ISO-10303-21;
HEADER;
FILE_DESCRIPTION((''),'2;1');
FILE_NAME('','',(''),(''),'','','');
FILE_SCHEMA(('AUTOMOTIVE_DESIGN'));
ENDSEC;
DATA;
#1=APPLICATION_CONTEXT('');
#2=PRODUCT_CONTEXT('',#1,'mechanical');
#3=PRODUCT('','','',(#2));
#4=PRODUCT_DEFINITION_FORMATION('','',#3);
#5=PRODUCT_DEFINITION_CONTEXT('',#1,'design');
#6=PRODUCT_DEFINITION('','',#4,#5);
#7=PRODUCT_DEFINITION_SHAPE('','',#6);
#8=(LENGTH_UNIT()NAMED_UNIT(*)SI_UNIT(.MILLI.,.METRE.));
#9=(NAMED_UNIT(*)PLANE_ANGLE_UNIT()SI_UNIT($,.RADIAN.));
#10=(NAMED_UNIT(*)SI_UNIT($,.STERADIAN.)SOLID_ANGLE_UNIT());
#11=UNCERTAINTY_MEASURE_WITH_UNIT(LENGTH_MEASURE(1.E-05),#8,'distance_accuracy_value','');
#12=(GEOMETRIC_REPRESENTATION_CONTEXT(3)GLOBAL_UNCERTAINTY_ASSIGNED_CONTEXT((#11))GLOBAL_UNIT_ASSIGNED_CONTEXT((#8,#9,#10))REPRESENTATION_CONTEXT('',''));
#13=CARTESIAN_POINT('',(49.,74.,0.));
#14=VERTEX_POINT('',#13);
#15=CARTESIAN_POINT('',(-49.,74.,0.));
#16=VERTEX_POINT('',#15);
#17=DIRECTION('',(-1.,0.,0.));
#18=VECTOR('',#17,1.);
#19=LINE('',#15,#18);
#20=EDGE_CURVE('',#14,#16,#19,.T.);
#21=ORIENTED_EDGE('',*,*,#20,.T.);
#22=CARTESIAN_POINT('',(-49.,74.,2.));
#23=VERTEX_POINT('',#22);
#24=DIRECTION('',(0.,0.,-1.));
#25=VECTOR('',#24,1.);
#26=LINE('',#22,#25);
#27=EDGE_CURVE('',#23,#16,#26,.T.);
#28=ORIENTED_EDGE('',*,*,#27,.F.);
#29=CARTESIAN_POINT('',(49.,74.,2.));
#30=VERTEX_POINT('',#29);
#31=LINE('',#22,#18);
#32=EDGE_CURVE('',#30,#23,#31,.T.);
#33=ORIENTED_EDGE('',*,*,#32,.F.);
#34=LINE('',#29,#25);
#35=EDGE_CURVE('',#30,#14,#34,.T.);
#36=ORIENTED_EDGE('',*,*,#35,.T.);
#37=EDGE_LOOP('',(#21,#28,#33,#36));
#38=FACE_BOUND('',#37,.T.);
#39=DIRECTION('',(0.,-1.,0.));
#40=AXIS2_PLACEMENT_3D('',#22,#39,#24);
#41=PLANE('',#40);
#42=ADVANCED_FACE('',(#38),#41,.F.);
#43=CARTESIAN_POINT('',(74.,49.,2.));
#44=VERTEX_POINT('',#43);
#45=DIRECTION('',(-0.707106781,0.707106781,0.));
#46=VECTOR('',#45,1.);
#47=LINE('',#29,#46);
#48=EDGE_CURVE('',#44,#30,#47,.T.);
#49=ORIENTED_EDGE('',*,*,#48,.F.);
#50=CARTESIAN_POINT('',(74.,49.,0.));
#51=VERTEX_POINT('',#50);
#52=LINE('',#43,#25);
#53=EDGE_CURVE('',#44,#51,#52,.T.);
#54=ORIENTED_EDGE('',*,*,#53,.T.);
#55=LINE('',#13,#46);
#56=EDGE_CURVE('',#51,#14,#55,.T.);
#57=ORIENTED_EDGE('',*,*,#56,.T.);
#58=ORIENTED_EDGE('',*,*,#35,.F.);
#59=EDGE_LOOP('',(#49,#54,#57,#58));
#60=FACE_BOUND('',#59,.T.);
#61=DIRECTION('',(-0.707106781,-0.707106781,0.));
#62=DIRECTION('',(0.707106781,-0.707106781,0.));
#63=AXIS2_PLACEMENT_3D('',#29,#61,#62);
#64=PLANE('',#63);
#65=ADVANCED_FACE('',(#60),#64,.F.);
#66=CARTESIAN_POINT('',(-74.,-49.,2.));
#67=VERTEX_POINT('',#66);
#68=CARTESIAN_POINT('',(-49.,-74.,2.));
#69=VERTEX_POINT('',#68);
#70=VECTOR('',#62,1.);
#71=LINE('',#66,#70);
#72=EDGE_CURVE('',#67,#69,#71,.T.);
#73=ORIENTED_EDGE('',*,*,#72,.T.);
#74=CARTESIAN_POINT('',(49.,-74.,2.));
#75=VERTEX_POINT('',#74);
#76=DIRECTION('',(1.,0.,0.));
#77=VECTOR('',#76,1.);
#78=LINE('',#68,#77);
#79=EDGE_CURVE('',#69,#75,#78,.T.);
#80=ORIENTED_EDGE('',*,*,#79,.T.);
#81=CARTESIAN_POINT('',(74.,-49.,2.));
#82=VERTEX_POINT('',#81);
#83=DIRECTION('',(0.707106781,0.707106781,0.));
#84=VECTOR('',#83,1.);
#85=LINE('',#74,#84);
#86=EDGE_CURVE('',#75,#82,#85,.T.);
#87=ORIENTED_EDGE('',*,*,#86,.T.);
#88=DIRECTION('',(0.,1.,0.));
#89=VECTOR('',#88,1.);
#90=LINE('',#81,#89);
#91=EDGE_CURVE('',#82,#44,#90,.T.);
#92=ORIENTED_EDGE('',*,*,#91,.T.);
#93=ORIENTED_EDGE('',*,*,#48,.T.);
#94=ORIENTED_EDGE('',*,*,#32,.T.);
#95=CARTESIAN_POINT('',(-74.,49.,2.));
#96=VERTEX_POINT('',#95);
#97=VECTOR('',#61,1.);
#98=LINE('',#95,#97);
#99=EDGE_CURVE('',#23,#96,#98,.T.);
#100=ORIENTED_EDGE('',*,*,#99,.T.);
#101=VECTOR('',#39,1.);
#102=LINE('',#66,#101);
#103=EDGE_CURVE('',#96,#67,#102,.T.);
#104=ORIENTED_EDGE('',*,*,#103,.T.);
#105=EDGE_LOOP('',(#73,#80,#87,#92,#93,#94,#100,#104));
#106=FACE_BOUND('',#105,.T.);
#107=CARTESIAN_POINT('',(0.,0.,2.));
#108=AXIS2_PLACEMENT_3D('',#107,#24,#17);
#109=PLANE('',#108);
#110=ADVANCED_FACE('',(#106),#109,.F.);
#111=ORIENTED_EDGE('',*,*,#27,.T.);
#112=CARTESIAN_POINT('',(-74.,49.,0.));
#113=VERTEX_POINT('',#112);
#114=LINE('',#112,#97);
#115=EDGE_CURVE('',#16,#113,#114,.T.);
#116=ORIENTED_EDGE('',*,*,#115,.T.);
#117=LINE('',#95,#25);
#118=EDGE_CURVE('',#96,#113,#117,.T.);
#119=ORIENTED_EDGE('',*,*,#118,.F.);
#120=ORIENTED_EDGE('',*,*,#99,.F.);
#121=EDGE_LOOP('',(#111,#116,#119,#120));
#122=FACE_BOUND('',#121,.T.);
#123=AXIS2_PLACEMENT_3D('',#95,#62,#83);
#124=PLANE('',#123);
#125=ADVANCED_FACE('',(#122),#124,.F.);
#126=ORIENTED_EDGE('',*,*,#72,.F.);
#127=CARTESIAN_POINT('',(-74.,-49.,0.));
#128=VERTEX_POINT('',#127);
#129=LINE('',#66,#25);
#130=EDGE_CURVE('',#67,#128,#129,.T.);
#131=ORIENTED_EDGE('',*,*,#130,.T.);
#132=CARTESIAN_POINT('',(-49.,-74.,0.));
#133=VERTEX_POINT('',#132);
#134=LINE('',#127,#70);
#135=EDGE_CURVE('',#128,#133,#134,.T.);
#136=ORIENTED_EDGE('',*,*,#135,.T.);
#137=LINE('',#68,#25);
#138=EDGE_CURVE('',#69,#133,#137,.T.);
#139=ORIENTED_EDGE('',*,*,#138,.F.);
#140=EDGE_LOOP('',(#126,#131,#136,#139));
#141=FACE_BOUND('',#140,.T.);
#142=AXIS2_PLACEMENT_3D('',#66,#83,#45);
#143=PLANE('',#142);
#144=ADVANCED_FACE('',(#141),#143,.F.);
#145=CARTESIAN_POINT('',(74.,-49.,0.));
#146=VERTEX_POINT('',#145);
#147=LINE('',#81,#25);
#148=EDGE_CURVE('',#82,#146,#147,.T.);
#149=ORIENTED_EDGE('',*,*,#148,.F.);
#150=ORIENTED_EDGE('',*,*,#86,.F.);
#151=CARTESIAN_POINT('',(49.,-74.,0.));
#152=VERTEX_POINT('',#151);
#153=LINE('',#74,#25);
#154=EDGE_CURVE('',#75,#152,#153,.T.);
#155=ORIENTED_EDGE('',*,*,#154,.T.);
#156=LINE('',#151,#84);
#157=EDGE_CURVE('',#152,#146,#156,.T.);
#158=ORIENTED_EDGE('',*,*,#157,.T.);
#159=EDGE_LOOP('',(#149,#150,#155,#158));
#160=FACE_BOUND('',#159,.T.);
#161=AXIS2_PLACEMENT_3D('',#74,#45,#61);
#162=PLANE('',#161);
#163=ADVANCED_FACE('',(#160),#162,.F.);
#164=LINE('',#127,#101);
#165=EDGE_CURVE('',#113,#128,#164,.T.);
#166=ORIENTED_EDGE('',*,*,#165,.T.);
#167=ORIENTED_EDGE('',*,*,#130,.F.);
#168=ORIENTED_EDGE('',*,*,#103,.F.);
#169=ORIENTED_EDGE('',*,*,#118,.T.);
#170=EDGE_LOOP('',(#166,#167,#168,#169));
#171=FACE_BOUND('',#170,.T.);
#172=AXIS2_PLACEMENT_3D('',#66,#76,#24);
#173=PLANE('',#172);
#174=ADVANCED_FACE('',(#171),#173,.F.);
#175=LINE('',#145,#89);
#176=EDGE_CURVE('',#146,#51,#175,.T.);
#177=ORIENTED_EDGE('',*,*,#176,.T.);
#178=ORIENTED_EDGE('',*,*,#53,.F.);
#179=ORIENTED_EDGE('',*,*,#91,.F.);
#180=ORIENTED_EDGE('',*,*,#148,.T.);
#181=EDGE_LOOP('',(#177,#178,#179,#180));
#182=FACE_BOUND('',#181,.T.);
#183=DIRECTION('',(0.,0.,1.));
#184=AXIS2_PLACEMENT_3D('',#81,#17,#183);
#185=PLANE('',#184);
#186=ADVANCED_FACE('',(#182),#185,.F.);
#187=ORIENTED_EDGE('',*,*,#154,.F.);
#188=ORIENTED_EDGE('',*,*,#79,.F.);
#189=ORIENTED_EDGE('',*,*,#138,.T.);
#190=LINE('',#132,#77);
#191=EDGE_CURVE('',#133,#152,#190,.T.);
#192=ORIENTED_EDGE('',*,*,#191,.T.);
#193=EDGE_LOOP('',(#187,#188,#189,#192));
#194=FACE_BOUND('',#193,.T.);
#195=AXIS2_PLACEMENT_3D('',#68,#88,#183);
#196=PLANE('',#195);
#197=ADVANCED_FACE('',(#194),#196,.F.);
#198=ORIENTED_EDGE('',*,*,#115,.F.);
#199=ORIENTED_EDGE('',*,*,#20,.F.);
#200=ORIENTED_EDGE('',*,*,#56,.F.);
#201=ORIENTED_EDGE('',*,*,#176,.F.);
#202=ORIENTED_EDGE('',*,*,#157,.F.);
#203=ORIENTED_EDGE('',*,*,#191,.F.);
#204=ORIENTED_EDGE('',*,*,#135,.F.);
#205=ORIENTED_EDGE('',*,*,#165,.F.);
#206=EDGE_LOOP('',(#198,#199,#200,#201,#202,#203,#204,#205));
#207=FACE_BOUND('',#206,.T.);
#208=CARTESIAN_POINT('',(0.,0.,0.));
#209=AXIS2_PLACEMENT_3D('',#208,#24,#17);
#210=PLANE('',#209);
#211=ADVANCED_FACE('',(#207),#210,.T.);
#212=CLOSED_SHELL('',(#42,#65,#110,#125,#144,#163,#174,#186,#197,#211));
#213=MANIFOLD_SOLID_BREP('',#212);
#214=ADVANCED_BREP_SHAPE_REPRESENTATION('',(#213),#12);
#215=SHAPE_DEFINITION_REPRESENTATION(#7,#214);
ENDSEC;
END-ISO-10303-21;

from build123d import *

# Parameters (mm, degrees)
BOSS_EXTRUDE1_DEPTH = 2


with BuildPart() as part:
    # Sketch1 → Boss-Extrude1 (new body)
    with BuildSketch(Plane.XY):
        Polygon((-74, 49), (-49, 74), (49, 74), (74, 49), (74, -49), (49, -74), (-49, -74), (-74, -49), align=None)
    extrude(amount=BOSS_EXTRUDE1_DEPTH)


solid = part.part
